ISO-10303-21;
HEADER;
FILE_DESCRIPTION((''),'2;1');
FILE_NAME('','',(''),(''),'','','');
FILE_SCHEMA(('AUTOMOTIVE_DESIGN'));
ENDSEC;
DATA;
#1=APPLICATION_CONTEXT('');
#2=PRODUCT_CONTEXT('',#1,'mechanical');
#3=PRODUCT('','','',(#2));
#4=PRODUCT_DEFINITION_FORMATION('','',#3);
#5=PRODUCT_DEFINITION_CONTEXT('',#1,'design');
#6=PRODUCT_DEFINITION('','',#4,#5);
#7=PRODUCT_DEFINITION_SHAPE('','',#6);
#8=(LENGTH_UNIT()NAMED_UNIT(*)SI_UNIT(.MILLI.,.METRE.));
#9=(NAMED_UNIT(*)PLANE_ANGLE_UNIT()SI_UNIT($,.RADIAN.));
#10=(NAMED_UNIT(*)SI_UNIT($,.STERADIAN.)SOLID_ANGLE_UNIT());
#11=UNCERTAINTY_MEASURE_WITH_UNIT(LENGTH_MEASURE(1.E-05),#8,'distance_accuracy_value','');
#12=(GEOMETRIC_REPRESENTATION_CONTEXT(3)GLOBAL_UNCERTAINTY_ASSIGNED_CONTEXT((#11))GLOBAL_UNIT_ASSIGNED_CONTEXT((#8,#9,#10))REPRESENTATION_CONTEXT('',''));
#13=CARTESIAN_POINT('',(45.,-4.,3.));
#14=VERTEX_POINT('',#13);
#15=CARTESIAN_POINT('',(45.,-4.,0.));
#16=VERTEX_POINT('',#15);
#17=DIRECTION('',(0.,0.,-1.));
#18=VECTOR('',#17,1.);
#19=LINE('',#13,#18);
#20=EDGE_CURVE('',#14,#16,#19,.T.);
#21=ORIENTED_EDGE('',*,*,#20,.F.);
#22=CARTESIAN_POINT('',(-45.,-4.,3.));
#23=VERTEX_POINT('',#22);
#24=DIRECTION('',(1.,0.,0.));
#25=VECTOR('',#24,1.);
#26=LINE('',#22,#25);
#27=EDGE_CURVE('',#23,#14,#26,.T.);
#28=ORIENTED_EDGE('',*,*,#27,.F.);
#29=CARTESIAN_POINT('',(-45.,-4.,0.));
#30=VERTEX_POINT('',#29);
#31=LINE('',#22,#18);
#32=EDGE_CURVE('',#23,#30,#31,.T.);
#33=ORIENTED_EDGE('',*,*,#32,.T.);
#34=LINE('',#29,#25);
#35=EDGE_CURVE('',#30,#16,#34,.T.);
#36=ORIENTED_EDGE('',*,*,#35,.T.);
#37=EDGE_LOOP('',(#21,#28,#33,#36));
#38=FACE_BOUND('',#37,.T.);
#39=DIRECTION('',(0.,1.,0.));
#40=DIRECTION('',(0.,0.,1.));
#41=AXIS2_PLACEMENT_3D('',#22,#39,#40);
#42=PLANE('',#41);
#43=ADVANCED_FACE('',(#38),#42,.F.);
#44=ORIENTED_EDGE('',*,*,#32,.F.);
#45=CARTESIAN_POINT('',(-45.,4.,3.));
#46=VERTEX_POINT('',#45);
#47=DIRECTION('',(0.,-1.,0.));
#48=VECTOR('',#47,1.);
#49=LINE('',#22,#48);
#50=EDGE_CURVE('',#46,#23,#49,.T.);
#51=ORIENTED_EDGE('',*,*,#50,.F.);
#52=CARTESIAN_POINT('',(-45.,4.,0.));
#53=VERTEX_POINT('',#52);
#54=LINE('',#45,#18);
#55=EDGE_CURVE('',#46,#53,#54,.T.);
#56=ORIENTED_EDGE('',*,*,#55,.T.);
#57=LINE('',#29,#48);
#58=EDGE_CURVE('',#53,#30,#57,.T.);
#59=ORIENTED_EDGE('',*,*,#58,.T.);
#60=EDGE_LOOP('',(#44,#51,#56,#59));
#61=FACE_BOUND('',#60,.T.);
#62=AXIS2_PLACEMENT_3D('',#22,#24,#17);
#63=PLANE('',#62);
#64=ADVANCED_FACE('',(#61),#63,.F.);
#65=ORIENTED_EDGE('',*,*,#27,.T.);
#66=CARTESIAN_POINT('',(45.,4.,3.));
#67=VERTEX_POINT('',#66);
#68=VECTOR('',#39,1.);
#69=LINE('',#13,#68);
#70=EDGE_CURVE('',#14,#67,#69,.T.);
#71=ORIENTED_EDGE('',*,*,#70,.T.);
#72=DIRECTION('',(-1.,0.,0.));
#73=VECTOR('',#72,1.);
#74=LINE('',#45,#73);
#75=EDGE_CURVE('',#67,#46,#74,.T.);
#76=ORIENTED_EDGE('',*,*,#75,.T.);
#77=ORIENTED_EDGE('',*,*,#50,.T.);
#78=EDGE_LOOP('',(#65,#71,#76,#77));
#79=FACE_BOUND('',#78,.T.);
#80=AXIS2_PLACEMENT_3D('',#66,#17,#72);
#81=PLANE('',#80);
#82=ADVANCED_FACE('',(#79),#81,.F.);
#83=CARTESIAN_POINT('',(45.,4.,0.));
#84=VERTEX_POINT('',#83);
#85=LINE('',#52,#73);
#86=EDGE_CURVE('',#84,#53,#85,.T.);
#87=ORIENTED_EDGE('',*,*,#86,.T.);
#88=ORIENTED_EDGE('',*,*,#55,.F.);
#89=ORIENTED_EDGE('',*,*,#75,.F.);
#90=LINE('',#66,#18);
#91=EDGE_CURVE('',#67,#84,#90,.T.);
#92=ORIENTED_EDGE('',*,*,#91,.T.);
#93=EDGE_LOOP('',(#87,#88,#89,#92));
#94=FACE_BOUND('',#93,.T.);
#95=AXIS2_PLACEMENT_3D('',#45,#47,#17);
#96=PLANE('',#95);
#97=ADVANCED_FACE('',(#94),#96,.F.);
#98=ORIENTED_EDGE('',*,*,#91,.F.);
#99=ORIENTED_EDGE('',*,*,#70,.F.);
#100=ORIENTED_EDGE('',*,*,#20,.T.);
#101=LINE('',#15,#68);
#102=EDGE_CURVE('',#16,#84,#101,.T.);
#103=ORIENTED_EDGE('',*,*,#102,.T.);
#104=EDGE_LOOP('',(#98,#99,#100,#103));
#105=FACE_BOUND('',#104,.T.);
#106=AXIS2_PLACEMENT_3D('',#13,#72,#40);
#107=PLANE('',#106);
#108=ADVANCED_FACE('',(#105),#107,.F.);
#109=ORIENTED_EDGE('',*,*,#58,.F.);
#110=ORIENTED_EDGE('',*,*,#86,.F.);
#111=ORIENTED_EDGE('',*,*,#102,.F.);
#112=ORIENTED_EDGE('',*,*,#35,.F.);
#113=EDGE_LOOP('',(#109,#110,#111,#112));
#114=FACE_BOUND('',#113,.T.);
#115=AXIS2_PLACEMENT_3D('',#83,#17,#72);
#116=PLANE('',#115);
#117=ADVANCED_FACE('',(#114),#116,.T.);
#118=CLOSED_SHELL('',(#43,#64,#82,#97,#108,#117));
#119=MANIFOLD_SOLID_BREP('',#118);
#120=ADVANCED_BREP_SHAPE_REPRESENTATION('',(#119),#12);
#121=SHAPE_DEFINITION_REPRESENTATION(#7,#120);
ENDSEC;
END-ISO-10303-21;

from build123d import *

# Parameters (mm, degrees)
ESBO_O1_W                = 90
ESBO_O1_H                = 8
RESSALTO_EXTRUS_O1_DEPTH = 3


with BuildPart() as part:
    # Esboço1 → Ressalto-extrusão1 (new body)
    with BuildSketch(Plane.XY):
        Rectangle(ESBO_O1_W, ESBO_O1_H)
    extrude(amount=RESSALTO_EXTRUS_O1_DEPTH)


solid = part.part
